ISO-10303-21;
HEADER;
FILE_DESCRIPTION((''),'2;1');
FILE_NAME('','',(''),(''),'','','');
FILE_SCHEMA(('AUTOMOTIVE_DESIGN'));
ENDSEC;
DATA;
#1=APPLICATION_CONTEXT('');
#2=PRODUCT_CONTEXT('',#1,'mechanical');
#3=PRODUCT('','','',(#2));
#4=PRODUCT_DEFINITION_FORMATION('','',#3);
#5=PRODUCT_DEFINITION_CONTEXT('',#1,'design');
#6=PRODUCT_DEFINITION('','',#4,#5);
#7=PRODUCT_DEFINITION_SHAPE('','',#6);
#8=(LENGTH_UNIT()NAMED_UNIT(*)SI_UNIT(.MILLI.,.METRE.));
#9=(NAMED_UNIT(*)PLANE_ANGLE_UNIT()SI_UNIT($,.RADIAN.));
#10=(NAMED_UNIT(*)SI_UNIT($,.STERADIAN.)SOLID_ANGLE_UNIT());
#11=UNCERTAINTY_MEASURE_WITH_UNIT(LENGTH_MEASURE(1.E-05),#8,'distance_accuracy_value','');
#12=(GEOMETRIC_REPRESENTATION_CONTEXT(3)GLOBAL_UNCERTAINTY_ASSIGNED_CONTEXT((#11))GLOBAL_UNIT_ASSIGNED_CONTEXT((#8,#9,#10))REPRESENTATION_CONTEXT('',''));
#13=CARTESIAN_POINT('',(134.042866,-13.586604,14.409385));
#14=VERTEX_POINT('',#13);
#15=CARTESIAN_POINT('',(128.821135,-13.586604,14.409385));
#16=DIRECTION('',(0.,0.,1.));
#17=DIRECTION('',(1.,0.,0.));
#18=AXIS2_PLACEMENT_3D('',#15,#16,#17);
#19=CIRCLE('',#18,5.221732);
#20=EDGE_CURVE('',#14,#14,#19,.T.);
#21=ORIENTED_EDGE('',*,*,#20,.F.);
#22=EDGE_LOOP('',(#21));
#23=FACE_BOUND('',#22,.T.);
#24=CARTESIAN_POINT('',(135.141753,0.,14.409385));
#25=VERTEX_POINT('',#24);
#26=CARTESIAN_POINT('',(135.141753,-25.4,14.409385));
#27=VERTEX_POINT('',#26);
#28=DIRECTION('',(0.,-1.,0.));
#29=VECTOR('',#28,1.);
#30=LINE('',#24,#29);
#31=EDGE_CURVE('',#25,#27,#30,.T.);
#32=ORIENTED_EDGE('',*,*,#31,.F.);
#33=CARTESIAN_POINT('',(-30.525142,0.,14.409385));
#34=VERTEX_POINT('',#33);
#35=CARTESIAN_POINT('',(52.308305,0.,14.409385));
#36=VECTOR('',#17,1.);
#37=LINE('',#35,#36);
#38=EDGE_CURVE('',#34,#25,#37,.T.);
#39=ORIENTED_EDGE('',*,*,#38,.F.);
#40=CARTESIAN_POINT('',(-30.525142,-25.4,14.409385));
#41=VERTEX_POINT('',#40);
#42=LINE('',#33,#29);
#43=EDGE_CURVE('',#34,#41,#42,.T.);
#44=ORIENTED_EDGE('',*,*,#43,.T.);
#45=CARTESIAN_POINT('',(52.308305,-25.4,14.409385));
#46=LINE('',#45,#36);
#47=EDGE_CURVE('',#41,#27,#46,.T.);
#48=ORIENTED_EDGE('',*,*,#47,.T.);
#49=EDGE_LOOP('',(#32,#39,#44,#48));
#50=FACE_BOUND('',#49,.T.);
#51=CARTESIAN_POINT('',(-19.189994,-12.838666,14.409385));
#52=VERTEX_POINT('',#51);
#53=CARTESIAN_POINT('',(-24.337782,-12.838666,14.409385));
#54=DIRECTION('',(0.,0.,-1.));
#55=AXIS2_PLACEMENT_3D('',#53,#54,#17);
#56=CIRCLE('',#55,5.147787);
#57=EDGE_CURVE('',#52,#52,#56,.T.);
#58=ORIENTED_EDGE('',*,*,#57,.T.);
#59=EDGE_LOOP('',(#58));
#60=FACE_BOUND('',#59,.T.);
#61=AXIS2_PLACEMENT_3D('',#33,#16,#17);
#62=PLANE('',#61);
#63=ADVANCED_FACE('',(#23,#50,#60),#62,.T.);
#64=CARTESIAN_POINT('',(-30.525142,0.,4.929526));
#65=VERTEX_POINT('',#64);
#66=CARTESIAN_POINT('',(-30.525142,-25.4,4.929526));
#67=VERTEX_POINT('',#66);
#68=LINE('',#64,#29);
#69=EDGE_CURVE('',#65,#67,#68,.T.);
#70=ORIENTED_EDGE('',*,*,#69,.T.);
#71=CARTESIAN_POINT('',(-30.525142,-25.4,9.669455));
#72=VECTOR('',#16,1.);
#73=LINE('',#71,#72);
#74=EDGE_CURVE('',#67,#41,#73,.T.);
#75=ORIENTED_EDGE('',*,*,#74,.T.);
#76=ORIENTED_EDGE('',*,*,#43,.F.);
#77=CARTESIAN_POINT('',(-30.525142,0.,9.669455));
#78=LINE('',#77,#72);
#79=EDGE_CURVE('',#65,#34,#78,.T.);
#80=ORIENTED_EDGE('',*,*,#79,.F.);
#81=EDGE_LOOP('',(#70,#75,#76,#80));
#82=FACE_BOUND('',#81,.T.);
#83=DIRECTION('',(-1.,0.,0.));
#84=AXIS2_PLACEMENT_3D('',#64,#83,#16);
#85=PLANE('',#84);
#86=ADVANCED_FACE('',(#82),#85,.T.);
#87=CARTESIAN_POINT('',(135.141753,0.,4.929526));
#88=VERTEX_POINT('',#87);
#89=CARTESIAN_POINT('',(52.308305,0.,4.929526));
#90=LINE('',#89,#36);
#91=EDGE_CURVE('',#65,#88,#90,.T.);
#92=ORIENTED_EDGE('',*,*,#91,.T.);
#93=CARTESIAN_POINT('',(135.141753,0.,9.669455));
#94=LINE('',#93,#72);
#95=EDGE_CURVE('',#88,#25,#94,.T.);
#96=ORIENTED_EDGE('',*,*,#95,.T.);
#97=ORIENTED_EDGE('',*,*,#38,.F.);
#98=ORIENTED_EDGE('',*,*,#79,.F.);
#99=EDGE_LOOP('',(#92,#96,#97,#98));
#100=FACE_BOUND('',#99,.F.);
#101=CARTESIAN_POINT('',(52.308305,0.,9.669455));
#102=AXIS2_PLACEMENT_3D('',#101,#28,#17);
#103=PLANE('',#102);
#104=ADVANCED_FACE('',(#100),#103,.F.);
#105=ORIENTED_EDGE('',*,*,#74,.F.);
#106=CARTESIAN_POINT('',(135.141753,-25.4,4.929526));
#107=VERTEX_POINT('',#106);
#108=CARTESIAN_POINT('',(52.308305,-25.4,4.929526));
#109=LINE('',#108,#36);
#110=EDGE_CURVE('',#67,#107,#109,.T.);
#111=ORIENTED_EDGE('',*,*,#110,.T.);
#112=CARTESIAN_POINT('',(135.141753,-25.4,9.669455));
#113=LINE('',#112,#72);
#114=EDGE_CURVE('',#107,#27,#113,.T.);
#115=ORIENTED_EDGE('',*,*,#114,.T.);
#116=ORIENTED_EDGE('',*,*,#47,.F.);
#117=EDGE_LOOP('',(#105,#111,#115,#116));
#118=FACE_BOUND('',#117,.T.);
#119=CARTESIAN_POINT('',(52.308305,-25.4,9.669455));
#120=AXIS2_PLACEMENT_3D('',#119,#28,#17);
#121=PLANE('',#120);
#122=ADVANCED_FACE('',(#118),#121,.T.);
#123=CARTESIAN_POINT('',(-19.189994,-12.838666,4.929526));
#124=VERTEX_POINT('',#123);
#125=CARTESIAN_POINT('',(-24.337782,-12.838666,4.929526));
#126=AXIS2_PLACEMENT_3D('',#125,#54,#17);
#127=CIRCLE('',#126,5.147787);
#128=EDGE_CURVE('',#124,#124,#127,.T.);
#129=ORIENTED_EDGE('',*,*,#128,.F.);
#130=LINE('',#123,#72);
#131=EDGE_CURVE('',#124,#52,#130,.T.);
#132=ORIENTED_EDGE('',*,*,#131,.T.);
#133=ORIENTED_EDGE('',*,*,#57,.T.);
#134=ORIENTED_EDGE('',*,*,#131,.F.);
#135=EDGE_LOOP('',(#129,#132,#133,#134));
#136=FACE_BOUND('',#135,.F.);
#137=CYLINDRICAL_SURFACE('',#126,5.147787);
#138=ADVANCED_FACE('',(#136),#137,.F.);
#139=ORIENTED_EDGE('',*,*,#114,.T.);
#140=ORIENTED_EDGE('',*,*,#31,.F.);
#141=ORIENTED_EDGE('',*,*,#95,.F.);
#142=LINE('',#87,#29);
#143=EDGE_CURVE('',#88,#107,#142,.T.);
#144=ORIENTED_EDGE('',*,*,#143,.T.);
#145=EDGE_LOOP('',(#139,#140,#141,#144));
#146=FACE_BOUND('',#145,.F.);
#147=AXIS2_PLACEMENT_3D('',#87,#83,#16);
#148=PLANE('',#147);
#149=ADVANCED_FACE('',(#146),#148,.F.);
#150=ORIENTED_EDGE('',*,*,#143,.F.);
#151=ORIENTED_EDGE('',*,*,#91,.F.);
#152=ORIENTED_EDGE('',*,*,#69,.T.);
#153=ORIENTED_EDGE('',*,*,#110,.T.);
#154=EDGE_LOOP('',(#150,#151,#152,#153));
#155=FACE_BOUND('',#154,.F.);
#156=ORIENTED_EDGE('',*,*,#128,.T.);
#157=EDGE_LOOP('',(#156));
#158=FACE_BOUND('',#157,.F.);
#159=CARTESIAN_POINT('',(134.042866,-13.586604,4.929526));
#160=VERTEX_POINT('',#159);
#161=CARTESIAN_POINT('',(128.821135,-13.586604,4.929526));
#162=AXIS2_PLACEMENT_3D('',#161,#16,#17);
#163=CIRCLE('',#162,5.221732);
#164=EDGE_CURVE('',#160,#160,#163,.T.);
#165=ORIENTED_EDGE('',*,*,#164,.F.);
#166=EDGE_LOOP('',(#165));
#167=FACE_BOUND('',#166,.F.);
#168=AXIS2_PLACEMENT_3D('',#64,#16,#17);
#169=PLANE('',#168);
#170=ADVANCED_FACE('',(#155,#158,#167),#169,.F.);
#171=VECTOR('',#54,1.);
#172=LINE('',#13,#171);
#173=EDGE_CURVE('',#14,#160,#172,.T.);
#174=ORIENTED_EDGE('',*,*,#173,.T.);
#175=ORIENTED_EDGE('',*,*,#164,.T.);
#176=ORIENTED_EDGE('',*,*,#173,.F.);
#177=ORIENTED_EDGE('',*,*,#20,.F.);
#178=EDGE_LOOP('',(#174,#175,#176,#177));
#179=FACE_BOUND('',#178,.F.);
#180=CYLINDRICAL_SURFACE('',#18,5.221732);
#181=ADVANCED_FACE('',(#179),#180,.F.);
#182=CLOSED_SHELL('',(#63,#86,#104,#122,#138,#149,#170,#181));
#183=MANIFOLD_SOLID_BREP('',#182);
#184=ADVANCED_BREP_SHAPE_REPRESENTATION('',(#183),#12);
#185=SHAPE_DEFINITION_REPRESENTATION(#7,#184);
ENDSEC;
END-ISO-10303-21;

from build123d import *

# Parameters (mm, degrees)
F0_W     = 165.6668949872
F0_H     = 9.4798584469
F1_DEPTH = 25.4
F2_R     = 5.1477874533
F3_DEPTH = 25.4
F4_R     = 5.221731546
F5_DEPTH = 25.4


with BuildPart() as f1:
    # F0 (on Front) → F1 (new body)
    with BuildSketch(Plane.XZ):
        with Locations((52.3083051667, 9.6694554668)):
            Rectangle(F0_W, F0_H)
    extrude(amount=F1_DEPTH)

    # F2 (on face) → F3 (cut)
    with BuildSketch(Plane(origin=(0, 0, 4.9295262434), x_dir=(1, 0, 0), z_dir=(0, 0, -1))):
        with Locations((-24.3377815932, 12.8386663273)):
            Circle(F2_R)
    extrude(amount=-F3_DEPTH, mode=Mode.SUBTRACT)

    # F4 (on face) → F5 (cut)
    with BuildSketch(Plane.XY.offset(14.4093846902)):
        with Locations((128.8211345673, -13.5866040364)):
            Circle(F4_R)
    extrude(amount=-F5_DEPTH, mode=Mode.SUBTRACT)


solid = f1.part
